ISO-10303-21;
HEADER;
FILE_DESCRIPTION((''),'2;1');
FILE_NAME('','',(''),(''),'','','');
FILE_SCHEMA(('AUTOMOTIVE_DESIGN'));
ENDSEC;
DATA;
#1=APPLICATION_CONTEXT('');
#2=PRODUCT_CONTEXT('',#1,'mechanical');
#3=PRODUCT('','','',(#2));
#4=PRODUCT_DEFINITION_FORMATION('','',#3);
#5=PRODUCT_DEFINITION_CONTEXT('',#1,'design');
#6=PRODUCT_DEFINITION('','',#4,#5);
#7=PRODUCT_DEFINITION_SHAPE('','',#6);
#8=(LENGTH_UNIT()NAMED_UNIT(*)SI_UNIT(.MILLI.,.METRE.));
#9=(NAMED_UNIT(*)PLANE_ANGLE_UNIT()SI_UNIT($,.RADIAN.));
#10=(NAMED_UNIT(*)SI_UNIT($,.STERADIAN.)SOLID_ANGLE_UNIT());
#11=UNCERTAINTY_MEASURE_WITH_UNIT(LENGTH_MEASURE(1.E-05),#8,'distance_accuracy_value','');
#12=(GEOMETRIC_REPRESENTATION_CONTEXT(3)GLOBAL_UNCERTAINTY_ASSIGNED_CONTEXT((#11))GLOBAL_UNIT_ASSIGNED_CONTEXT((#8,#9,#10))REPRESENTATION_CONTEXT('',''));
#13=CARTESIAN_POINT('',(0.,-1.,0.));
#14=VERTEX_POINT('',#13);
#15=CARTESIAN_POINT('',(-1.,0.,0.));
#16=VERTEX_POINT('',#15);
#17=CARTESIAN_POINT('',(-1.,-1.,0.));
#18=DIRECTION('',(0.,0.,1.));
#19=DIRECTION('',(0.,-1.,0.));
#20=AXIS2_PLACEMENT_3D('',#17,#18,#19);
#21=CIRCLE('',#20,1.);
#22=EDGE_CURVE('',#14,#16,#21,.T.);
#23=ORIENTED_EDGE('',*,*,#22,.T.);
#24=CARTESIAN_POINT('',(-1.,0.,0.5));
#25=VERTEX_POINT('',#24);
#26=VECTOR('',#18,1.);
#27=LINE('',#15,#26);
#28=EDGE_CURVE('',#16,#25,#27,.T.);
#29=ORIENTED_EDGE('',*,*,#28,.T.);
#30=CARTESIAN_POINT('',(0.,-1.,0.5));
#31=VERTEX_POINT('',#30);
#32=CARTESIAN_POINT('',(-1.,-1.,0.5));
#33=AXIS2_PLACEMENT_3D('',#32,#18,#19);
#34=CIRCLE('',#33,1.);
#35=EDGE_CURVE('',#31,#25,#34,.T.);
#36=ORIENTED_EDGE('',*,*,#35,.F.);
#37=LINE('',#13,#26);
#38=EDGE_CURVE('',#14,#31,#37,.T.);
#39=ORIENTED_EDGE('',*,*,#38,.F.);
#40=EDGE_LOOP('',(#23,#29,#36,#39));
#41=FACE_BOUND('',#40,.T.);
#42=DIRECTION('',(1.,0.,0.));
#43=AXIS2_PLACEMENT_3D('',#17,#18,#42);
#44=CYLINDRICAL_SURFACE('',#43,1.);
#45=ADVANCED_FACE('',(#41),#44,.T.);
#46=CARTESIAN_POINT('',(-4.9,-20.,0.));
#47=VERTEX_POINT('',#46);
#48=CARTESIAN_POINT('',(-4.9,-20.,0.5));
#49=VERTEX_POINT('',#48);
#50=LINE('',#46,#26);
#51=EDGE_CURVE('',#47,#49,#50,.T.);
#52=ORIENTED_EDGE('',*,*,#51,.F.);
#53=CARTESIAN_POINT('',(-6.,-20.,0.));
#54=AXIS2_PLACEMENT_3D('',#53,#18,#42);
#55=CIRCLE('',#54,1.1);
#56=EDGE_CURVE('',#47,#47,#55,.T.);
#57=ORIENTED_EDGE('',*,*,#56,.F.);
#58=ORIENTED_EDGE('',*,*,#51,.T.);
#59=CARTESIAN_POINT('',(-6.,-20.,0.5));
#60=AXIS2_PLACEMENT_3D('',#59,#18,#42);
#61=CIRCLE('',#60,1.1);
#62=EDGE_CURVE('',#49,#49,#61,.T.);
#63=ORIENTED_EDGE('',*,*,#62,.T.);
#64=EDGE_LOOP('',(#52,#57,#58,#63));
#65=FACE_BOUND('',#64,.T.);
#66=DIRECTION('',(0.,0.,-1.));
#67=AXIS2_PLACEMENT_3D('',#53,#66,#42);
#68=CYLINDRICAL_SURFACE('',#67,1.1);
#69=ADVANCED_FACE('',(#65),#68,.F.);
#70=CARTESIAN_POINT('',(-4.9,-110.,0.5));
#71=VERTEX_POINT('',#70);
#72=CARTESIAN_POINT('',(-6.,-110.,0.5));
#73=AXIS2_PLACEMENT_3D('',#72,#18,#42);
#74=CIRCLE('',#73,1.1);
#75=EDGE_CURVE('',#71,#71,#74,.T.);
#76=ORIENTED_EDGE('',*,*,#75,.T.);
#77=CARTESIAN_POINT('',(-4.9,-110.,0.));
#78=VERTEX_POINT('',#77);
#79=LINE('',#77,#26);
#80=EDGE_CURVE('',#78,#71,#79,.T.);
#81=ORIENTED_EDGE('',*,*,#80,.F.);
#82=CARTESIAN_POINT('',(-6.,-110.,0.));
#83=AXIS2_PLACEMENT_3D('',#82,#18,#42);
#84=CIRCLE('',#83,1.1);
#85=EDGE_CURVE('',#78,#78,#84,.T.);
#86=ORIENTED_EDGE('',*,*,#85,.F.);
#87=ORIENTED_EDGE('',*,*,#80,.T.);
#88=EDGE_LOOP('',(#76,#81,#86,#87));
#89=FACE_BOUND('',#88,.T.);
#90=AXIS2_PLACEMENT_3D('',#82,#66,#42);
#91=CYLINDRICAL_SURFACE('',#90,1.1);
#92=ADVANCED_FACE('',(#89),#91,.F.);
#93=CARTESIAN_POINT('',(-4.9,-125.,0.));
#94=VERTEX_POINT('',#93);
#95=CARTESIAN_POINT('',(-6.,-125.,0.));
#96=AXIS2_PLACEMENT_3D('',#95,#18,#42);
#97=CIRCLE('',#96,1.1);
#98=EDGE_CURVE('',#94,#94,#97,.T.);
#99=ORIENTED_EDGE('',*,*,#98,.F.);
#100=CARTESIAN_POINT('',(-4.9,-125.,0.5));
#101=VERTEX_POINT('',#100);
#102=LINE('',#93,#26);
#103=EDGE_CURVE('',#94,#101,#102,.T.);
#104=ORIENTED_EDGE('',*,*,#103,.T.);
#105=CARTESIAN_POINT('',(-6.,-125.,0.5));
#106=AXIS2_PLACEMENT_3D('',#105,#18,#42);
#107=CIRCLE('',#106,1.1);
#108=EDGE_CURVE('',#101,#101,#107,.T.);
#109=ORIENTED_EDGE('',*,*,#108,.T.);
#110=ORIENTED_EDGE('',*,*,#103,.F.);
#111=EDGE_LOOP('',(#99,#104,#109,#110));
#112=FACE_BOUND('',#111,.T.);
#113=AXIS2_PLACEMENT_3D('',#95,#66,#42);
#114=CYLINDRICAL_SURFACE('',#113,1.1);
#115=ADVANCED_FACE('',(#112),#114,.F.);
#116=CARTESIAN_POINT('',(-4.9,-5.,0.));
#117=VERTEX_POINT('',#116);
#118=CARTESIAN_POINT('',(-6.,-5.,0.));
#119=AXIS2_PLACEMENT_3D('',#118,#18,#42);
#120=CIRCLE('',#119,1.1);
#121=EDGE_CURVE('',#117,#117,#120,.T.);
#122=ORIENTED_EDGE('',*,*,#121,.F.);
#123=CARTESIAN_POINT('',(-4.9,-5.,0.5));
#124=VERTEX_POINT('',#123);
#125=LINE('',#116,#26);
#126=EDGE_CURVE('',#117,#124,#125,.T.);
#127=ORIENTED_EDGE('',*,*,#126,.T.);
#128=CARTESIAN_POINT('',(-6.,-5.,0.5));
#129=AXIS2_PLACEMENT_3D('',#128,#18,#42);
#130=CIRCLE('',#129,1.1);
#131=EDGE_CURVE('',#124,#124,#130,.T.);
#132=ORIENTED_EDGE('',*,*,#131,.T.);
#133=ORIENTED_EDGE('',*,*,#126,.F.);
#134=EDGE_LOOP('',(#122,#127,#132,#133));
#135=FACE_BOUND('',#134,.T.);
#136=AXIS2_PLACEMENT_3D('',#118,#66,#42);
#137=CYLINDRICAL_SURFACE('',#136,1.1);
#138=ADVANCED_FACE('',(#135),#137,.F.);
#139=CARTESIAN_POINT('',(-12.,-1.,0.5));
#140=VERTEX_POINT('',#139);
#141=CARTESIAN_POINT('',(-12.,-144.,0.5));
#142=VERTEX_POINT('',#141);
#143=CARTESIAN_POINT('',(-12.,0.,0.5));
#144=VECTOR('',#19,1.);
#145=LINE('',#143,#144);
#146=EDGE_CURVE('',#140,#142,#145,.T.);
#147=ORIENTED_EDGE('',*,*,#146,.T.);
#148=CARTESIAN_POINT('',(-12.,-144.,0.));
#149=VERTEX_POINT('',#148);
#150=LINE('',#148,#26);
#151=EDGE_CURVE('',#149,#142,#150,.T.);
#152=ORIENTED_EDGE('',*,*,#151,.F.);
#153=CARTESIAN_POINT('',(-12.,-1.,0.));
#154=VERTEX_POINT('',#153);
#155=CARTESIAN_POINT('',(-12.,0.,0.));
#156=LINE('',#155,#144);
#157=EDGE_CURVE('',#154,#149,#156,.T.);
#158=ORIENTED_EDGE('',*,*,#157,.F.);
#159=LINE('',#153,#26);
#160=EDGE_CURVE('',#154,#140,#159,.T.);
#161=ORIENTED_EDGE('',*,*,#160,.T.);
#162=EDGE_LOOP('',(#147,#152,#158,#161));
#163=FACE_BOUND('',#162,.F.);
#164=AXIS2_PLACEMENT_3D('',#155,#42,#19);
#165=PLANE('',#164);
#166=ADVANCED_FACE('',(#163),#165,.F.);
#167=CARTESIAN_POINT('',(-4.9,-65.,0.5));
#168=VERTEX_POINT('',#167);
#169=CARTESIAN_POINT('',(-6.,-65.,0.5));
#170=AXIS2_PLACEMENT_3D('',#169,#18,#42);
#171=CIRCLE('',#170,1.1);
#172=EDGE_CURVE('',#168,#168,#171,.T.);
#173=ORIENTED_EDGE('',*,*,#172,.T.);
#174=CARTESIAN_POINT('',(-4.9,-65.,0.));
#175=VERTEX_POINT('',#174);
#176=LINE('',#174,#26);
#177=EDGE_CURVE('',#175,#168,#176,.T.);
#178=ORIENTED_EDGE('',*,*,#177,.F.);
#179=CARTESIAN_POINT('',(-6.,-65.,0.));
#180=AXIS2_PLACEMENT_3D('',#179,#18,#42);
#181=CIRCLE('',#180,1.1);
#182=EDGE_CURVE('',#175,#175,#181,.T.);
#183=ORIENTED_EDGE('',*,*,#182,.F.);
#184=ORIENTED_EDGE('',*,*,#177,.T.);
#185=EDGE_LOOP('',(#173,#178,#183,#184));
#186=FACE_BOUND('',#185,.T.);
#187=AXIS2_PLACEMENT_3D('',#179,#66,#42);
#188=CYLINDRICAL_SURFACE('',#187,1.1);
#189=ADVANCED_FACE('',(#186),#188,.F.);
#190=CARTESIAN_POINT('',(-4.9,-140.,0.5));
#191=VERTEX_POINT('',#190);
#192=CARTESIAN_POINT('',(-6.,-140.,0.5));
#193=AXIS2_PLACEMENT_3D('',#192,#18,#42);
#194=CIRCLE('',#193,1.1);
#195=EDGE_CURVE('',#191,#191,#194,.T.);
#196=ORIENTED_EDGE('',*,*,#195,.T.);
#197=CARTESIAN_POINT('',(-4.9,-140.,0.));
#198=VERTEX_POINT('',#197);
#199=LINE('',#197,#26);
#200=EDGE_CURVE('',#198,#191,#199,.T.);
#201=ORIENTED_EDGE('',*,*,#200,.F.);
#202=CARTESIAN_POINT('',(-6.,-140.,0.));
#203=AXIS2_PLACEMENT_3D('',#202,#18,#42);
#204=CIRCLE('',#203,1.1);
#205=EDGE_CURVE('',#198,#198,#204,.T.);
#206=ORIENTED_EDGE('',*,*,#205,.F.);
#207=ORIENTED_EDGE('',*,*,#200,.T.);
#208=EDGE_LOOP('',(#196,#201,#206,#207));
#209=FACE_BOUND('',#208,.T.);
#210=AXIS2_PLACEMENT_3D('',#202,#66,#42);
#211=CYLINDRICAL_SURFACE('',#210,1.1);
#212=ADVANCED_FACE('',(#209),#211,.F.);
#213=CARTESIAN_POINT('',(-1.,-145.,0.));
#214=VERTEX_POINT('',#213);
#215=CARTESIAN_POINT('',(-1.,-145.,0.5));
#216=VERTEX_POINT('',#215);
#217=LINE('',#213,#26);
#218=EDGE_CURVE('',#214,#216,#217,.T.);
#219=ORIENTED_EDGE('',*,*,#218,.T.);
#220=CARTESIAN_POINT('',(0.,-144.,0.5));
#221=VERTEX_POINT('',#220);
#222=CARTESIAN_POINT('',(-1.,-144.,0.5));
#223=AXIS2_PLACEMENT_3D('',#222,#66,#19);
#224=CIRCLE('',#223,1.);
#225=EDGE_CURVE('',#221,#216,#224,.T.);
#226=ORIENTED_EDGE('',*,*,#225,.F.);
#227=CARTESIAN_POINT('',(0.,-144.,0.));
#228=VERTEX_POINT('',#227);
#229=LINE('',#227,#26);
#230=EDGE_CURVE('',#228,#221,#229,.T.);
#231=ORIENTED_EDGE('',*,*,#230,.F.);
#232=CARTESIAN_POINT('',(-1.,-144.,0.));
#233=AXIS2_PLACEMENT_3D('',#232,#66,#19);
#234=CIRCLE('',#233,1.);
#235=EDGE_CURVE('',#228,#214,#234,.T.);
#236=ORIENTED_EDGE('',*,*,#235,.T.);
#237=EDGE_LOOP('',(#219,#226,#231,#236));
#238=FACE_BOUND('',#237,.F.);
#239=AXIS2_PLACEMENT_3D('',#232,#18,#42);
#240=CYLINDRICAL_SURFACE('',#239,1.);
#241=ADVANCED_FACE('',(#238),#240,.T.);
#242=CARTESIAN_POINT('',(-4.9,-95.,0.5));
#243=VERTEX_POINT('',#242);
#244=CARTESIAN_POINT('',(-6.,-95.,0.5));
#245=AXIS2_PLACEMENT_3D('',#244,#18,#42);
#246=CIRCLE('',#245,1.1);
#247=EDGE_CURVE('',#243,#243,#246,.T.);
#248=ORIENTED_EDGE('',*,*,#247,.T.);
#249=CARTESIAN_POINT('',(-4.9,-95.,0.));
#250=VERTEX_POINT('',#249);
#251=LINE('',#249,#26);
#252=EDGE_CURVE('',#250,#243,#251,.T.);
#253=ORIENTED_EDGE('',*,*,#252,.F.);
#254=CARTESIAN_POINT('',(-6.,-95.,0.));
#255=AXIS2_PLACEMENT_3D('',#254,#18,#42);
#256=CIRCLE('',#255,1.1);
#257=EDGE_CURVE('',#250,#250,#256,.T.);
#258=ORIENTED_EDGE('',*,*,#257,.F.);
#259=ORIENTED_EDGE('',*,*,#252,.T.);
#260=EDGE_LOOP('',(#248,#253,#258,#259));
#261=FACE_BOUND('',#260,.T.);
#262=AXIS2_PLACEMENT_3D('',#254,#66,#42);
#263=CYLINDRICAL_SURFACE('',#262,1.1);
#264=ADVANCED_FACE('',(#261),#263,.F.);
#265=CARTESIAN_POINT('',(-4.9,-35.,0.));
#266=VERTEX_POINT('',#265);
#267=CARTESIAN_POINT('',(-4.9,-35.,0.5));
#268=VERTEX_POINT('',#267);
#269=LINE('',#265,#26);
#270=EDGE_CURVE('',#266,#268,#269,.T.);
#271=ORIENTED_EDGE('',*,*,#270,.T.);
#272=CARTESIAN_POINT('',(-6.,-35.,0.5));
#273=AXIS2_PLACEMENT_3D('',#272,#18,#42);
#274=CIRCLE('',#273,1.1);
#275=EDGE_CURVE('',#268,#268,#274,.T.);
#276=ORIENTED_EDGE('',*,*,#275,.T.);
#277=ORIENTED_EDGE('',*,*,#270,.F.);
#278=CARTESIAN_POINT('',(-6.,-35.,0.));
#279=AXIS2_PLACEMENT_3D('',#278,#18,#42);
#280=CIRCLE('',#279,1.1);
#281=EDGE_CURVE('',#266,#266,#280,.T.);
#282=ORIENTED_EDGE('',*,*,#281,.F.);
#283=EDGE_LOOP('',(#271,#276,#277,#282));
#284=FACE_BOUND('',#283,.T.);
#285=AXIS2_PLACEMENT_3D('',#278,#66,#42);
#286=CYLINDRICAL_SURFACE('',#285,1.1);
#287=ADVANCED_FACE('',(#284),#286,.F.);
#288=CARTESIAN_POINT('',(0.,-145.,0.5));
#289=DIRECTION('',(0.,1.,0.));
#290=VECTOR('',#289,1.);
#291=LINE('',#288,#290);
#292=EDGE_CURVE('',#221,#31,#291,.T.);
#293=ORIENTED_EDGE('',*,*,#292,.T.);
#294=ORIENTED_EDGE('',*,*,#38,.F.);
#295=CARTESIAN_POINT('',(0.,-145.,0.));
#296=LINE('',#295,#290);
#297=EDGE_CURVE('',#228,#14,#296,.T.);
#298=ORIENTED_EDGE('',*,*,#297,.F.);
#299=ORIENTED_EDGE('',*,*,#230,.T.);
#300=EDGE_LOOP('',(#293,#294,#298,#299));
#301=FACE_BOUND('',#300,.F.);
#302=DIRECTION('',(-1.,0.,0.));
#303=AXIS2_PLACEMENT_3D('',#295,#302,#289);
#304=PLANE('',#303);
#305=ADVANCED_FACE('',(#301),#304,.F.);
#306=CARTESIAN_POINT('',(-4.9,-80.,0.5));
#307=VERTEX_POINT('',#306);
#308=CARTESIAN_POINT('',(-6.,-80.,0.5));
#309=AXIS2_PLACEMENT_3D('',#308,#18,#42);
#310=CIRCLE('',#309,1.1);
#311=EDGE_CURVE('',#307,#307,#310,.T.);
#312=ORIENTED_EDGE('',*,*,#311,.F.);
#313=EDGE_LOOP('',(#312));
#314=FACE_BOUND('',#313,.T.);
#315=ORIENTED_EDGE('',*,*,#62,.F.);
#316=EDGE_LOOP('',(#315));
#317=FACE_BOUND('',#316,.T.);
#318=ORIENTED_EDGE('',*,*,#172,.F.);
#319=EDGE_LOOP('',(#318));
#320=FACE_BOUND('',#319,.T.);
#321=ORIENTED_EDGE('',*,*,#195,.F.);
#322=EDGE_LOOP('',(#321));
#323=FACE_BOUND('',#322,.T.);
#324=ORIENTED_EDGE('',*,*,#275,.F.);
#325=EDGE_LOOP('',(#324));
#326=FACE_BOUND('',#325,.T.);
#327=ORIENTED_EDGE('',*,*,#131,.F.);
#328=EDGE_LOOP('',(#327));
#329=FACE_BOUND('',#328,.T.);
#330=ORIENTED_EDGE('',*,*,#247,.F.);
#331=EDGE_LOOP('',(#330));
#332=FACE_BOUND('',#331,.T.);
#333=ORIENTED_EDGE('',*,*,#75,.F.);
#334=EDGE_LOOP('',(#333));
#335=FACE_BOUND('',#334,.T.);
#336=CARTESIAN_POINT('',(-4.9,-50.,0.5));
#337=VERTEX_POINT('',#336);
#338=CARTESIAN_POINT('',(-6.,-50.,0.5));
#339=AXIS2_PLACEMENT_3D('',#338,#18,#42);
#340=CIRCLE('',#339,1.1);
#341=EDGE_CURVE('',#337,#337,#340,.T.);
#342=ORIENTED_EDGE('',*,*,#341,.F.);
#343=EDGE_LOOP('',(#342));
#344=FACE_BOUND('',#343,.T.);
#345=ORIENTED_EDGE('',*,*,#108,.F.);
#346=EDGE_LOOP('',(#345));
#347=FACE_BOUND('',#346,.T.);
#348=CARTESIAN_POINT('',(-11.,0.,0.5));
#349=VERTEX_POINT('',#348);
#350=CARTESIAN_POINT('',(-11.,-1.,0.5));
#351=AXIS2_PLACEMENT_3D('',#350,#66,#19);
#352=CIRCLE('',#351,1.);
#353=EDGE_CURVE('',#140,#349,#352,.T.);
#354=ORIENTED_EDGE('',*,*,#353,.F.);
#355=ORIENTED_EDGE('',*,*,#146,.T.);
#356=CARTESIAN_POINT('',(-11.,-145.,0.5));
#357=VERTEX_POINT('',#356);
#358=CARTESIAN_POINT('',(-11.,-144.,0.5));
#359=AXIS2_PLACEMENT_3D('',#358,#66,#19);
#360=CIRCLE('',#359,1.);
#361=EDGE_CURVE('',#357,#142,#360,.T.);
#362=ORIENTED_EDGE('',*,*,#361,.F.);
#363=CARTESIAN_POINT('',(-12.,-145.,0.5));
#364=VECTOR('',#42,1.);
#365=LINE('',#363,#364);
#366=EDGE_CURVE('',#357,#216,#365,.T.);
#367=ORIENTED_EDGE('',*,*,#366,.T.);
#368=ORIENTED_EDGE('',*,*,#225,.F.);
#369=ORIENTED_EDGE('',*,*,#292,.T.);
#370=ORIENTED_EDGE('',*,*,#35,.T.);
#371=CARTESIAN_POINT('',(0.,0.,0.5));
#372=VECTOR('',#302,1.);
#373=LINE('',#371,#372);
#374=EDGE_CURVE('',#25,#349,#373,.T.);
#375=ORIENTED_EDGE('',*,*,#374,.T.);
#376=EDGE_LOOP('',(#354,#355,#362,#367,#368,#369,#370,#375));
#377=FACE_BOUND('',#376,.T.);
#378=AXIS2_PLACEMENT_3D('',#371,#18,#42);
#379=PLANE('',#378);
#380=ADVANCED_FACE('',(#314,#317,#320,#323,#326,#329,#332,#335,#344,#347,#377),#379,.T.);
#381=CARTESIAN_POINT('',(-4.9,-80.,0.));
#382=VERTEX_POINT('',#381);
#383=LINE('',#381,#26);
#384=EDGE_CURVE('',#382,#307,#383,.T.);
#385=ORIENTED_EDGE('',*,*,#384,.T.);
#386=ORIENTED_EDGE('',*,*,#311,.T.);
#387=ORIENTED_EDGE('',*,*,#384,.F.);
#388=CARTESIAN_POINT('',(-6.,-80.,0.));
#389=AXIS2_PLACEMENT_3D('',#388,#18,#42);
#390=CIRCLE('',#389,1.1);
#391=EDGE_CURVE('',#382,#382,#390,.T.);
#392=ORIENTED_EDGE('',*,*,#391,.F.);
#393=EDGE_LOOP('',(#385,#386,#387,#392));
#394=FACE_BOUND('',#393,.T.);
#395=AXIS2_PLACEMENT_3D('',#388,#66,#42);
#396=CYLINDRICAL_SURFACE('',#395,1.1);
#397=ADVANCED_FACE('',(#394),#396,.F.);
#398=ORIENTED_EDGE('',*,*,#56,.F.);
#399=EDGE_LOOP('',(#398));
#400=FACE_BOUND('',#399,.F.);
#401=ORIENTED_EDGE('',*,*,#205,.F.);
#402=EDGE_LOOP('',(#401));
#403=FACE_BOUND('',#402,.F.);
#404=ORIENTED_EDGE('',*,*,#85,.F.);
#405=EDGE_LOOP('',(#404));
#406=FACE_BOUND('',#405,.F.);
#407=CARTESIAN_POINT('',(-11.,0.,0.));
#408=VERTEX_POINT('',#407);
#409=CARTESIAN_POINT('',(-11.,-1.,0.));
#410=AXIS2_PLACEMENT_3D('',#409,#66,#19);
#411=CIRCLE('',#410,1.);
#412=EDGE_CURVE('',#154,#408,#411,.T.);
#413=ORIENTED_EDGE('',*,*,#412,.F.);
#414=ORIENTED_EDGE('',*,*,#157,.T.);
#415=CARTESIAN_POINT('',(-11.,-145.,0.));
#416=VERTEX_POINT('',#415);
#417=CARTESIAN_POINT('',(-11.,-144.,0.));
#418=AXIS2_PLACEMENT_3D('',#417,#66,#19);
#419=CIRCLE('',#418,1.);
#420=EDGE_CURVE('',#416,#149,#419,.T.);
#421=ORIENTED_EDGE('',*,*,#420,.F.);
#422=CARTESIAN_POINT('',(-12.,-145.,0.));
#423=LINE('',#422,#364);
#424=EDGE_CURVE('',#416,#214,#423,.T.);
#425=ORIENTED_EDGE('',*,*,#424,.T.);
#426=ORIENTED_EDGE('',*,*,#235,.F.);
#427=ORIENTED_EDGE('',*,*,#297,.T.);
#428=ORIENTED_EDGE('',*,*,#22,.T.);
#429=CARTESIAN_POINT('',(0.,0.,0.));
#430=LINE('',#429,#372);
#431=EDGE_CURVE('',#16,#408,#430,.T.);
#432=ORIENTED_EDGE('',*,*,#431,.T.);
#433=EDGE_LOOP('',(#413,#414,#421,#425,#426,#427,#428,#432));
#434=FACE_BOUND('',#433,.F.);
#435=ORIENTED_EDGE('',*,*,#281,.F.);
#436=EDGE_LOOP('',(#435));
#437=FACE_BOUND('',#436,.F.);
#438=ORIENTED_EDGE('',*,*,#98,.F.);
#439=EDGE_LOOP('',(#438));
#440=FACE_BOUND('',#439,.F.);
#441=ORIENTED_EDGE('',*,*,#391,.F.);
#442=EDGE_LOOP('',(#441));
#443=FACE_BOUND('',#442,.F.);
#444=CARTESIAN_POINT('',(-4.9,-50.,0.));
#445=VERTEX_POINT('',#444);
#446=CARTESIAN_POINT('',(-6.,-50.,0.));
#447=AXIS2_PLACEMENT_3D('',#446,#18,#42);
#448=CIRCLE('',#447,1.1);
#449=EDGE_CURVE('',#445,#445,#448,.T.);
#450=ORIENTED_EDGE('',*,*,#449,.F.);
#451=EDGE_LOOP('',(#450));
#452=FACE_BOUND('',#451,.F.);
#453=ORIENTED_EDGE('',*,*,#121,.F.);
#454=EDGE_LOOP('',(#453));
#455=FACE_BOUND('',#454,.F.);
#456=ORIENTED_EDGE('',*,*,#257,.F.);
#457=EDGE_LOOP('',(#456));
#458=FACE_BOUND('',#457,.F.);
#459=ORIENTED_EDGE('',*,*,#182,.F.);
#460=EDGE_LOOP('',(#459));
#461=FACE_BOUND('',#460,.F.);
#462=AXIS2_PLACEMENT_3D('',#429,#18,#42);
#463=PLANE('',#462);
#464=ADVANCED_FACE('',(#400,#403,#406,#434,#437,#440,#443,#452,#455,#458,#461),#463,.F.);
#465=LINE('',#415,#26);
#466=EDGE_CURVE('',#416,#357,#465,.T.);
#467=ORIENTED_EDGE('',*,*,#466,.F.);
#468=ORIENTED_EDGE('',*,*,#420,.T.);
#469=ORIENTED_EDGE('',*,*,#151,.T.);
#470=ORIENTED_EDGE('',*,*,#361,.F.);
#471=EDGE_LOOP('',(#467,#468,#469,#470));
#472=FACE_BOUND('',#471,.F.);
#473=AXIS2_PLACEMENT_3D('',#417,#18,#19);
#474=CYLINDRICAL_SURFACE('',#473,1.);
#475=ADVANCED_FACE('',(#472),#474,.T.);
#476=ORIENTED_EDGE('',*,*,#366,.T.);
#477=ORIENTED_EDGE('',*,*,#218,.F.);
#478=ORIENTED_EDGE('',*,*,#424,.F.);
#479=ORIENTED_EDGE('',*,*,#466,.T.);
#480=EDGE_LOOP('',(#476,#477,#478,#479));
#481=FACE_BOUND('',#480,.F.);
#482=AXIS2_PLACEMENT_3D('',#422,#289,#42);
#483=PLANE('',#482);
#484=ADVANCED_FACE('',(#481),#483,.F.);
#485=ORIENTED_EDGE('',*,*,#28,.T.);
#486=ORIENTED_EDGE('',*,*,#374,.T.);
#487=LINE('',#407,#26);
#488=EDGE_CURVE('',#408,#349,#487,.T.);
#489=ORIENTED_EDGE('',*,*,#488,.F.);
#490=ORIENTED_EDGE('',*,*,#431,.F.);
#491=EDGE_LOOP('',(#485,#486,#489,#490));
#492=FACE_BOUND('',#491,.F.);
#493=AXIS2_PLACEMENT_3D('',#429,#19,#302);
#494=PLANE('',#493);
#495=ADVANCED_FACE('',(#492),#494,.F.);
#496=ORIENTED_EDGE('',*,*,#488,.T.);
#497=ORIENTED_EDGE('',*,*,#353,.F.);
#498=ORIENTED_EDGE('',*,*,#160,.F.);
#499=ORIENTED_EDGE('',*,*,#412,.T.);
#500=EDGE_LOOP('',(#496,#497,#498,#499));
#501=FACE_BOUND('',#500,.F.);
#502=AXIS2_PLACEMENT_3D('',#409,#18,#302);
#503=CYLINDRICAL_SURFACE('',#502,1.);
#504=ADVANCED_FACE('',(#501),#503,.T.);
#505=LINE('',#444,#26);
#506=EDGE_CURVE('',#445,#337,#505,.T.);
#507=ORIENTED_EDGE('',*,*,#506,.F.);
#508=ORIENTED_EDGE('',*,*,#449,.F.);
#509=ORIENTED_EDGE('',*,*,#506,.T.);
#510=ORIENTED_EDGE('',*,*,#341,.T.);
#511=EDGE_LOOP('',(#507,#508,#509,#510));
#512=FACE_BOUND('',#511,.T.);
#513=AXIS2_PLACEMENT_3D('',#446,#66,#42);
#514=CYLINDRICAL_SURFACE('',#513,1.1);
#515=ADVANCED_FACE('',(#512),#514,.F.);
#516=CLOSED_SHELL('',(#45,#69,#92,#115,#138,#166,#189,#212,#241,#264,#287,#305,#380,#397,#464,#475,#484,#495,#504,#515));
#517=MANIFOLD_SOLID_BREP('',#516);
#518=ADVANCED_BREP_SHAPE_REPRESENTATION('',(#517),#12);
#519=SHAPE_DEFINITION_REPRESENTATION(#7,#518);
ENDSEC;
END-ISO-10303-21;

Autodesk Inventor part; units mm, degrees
ref_plane "YZ Plane" through (0, 0, 0) normal (1, 0, 0) x (0, 1, 0)
ref_plane "XZ Plane" through (0, 0, 0) normal (0, 1, 0) x (-1, 0, 0)
ref_plane "XY Plane" through (0, 0, 0) normal (0, 0, 1) x (1, 0, 0)
sketch "スケッチ1" plane through (0, 0, 0) normal (0, 0, 1) x (1, 0, 0)
  line L0 (0, 0) -> (-12, 0)
  line L1 (-12, 0) -> (-12, -145)
  line L2 (-12, -145) -> (0, -145)
  line L3 (0, -145) -> (0, 0)
  circle A0 centre (-6, -140) radius 1.1
  circle A1 centre (-6, -125) radius 1.1
  circle A2 centre (-6, -110) radius 1.1
  circle A3 centre (-6, -95) radius 1.1
  circle A4 centre (-6, -80) radius 1.1
  circle A5 centre (-6, -65) radius 1.1
  circle A6 centre (-6, -50) radius 1.1
  circle A7 centre (-6, -35) radius 1.1
  circle A8 centre (-6, -20) radius 1.1
  circle A9 centre (-6, -5) radius 1.1
  dimension "d0" = 145
  dimension "d1" = 12
  dimension "d2" = 2.2
  dimension "d3" = 5
  dimension "d4" = 6
  dimension "d7" = 15
extrude "押し出し1" add sketch "スケッチ1" along normal blind 0.5
fillet "フィレット1" radius 1 4 edges at (-12, -145, 0.25) (0, -145, 0.25) (0, 0, 0.25) (-12, 0, 0.25)
equation "\"d4\" = 0.5 * d1"
properties part number "sheet"
